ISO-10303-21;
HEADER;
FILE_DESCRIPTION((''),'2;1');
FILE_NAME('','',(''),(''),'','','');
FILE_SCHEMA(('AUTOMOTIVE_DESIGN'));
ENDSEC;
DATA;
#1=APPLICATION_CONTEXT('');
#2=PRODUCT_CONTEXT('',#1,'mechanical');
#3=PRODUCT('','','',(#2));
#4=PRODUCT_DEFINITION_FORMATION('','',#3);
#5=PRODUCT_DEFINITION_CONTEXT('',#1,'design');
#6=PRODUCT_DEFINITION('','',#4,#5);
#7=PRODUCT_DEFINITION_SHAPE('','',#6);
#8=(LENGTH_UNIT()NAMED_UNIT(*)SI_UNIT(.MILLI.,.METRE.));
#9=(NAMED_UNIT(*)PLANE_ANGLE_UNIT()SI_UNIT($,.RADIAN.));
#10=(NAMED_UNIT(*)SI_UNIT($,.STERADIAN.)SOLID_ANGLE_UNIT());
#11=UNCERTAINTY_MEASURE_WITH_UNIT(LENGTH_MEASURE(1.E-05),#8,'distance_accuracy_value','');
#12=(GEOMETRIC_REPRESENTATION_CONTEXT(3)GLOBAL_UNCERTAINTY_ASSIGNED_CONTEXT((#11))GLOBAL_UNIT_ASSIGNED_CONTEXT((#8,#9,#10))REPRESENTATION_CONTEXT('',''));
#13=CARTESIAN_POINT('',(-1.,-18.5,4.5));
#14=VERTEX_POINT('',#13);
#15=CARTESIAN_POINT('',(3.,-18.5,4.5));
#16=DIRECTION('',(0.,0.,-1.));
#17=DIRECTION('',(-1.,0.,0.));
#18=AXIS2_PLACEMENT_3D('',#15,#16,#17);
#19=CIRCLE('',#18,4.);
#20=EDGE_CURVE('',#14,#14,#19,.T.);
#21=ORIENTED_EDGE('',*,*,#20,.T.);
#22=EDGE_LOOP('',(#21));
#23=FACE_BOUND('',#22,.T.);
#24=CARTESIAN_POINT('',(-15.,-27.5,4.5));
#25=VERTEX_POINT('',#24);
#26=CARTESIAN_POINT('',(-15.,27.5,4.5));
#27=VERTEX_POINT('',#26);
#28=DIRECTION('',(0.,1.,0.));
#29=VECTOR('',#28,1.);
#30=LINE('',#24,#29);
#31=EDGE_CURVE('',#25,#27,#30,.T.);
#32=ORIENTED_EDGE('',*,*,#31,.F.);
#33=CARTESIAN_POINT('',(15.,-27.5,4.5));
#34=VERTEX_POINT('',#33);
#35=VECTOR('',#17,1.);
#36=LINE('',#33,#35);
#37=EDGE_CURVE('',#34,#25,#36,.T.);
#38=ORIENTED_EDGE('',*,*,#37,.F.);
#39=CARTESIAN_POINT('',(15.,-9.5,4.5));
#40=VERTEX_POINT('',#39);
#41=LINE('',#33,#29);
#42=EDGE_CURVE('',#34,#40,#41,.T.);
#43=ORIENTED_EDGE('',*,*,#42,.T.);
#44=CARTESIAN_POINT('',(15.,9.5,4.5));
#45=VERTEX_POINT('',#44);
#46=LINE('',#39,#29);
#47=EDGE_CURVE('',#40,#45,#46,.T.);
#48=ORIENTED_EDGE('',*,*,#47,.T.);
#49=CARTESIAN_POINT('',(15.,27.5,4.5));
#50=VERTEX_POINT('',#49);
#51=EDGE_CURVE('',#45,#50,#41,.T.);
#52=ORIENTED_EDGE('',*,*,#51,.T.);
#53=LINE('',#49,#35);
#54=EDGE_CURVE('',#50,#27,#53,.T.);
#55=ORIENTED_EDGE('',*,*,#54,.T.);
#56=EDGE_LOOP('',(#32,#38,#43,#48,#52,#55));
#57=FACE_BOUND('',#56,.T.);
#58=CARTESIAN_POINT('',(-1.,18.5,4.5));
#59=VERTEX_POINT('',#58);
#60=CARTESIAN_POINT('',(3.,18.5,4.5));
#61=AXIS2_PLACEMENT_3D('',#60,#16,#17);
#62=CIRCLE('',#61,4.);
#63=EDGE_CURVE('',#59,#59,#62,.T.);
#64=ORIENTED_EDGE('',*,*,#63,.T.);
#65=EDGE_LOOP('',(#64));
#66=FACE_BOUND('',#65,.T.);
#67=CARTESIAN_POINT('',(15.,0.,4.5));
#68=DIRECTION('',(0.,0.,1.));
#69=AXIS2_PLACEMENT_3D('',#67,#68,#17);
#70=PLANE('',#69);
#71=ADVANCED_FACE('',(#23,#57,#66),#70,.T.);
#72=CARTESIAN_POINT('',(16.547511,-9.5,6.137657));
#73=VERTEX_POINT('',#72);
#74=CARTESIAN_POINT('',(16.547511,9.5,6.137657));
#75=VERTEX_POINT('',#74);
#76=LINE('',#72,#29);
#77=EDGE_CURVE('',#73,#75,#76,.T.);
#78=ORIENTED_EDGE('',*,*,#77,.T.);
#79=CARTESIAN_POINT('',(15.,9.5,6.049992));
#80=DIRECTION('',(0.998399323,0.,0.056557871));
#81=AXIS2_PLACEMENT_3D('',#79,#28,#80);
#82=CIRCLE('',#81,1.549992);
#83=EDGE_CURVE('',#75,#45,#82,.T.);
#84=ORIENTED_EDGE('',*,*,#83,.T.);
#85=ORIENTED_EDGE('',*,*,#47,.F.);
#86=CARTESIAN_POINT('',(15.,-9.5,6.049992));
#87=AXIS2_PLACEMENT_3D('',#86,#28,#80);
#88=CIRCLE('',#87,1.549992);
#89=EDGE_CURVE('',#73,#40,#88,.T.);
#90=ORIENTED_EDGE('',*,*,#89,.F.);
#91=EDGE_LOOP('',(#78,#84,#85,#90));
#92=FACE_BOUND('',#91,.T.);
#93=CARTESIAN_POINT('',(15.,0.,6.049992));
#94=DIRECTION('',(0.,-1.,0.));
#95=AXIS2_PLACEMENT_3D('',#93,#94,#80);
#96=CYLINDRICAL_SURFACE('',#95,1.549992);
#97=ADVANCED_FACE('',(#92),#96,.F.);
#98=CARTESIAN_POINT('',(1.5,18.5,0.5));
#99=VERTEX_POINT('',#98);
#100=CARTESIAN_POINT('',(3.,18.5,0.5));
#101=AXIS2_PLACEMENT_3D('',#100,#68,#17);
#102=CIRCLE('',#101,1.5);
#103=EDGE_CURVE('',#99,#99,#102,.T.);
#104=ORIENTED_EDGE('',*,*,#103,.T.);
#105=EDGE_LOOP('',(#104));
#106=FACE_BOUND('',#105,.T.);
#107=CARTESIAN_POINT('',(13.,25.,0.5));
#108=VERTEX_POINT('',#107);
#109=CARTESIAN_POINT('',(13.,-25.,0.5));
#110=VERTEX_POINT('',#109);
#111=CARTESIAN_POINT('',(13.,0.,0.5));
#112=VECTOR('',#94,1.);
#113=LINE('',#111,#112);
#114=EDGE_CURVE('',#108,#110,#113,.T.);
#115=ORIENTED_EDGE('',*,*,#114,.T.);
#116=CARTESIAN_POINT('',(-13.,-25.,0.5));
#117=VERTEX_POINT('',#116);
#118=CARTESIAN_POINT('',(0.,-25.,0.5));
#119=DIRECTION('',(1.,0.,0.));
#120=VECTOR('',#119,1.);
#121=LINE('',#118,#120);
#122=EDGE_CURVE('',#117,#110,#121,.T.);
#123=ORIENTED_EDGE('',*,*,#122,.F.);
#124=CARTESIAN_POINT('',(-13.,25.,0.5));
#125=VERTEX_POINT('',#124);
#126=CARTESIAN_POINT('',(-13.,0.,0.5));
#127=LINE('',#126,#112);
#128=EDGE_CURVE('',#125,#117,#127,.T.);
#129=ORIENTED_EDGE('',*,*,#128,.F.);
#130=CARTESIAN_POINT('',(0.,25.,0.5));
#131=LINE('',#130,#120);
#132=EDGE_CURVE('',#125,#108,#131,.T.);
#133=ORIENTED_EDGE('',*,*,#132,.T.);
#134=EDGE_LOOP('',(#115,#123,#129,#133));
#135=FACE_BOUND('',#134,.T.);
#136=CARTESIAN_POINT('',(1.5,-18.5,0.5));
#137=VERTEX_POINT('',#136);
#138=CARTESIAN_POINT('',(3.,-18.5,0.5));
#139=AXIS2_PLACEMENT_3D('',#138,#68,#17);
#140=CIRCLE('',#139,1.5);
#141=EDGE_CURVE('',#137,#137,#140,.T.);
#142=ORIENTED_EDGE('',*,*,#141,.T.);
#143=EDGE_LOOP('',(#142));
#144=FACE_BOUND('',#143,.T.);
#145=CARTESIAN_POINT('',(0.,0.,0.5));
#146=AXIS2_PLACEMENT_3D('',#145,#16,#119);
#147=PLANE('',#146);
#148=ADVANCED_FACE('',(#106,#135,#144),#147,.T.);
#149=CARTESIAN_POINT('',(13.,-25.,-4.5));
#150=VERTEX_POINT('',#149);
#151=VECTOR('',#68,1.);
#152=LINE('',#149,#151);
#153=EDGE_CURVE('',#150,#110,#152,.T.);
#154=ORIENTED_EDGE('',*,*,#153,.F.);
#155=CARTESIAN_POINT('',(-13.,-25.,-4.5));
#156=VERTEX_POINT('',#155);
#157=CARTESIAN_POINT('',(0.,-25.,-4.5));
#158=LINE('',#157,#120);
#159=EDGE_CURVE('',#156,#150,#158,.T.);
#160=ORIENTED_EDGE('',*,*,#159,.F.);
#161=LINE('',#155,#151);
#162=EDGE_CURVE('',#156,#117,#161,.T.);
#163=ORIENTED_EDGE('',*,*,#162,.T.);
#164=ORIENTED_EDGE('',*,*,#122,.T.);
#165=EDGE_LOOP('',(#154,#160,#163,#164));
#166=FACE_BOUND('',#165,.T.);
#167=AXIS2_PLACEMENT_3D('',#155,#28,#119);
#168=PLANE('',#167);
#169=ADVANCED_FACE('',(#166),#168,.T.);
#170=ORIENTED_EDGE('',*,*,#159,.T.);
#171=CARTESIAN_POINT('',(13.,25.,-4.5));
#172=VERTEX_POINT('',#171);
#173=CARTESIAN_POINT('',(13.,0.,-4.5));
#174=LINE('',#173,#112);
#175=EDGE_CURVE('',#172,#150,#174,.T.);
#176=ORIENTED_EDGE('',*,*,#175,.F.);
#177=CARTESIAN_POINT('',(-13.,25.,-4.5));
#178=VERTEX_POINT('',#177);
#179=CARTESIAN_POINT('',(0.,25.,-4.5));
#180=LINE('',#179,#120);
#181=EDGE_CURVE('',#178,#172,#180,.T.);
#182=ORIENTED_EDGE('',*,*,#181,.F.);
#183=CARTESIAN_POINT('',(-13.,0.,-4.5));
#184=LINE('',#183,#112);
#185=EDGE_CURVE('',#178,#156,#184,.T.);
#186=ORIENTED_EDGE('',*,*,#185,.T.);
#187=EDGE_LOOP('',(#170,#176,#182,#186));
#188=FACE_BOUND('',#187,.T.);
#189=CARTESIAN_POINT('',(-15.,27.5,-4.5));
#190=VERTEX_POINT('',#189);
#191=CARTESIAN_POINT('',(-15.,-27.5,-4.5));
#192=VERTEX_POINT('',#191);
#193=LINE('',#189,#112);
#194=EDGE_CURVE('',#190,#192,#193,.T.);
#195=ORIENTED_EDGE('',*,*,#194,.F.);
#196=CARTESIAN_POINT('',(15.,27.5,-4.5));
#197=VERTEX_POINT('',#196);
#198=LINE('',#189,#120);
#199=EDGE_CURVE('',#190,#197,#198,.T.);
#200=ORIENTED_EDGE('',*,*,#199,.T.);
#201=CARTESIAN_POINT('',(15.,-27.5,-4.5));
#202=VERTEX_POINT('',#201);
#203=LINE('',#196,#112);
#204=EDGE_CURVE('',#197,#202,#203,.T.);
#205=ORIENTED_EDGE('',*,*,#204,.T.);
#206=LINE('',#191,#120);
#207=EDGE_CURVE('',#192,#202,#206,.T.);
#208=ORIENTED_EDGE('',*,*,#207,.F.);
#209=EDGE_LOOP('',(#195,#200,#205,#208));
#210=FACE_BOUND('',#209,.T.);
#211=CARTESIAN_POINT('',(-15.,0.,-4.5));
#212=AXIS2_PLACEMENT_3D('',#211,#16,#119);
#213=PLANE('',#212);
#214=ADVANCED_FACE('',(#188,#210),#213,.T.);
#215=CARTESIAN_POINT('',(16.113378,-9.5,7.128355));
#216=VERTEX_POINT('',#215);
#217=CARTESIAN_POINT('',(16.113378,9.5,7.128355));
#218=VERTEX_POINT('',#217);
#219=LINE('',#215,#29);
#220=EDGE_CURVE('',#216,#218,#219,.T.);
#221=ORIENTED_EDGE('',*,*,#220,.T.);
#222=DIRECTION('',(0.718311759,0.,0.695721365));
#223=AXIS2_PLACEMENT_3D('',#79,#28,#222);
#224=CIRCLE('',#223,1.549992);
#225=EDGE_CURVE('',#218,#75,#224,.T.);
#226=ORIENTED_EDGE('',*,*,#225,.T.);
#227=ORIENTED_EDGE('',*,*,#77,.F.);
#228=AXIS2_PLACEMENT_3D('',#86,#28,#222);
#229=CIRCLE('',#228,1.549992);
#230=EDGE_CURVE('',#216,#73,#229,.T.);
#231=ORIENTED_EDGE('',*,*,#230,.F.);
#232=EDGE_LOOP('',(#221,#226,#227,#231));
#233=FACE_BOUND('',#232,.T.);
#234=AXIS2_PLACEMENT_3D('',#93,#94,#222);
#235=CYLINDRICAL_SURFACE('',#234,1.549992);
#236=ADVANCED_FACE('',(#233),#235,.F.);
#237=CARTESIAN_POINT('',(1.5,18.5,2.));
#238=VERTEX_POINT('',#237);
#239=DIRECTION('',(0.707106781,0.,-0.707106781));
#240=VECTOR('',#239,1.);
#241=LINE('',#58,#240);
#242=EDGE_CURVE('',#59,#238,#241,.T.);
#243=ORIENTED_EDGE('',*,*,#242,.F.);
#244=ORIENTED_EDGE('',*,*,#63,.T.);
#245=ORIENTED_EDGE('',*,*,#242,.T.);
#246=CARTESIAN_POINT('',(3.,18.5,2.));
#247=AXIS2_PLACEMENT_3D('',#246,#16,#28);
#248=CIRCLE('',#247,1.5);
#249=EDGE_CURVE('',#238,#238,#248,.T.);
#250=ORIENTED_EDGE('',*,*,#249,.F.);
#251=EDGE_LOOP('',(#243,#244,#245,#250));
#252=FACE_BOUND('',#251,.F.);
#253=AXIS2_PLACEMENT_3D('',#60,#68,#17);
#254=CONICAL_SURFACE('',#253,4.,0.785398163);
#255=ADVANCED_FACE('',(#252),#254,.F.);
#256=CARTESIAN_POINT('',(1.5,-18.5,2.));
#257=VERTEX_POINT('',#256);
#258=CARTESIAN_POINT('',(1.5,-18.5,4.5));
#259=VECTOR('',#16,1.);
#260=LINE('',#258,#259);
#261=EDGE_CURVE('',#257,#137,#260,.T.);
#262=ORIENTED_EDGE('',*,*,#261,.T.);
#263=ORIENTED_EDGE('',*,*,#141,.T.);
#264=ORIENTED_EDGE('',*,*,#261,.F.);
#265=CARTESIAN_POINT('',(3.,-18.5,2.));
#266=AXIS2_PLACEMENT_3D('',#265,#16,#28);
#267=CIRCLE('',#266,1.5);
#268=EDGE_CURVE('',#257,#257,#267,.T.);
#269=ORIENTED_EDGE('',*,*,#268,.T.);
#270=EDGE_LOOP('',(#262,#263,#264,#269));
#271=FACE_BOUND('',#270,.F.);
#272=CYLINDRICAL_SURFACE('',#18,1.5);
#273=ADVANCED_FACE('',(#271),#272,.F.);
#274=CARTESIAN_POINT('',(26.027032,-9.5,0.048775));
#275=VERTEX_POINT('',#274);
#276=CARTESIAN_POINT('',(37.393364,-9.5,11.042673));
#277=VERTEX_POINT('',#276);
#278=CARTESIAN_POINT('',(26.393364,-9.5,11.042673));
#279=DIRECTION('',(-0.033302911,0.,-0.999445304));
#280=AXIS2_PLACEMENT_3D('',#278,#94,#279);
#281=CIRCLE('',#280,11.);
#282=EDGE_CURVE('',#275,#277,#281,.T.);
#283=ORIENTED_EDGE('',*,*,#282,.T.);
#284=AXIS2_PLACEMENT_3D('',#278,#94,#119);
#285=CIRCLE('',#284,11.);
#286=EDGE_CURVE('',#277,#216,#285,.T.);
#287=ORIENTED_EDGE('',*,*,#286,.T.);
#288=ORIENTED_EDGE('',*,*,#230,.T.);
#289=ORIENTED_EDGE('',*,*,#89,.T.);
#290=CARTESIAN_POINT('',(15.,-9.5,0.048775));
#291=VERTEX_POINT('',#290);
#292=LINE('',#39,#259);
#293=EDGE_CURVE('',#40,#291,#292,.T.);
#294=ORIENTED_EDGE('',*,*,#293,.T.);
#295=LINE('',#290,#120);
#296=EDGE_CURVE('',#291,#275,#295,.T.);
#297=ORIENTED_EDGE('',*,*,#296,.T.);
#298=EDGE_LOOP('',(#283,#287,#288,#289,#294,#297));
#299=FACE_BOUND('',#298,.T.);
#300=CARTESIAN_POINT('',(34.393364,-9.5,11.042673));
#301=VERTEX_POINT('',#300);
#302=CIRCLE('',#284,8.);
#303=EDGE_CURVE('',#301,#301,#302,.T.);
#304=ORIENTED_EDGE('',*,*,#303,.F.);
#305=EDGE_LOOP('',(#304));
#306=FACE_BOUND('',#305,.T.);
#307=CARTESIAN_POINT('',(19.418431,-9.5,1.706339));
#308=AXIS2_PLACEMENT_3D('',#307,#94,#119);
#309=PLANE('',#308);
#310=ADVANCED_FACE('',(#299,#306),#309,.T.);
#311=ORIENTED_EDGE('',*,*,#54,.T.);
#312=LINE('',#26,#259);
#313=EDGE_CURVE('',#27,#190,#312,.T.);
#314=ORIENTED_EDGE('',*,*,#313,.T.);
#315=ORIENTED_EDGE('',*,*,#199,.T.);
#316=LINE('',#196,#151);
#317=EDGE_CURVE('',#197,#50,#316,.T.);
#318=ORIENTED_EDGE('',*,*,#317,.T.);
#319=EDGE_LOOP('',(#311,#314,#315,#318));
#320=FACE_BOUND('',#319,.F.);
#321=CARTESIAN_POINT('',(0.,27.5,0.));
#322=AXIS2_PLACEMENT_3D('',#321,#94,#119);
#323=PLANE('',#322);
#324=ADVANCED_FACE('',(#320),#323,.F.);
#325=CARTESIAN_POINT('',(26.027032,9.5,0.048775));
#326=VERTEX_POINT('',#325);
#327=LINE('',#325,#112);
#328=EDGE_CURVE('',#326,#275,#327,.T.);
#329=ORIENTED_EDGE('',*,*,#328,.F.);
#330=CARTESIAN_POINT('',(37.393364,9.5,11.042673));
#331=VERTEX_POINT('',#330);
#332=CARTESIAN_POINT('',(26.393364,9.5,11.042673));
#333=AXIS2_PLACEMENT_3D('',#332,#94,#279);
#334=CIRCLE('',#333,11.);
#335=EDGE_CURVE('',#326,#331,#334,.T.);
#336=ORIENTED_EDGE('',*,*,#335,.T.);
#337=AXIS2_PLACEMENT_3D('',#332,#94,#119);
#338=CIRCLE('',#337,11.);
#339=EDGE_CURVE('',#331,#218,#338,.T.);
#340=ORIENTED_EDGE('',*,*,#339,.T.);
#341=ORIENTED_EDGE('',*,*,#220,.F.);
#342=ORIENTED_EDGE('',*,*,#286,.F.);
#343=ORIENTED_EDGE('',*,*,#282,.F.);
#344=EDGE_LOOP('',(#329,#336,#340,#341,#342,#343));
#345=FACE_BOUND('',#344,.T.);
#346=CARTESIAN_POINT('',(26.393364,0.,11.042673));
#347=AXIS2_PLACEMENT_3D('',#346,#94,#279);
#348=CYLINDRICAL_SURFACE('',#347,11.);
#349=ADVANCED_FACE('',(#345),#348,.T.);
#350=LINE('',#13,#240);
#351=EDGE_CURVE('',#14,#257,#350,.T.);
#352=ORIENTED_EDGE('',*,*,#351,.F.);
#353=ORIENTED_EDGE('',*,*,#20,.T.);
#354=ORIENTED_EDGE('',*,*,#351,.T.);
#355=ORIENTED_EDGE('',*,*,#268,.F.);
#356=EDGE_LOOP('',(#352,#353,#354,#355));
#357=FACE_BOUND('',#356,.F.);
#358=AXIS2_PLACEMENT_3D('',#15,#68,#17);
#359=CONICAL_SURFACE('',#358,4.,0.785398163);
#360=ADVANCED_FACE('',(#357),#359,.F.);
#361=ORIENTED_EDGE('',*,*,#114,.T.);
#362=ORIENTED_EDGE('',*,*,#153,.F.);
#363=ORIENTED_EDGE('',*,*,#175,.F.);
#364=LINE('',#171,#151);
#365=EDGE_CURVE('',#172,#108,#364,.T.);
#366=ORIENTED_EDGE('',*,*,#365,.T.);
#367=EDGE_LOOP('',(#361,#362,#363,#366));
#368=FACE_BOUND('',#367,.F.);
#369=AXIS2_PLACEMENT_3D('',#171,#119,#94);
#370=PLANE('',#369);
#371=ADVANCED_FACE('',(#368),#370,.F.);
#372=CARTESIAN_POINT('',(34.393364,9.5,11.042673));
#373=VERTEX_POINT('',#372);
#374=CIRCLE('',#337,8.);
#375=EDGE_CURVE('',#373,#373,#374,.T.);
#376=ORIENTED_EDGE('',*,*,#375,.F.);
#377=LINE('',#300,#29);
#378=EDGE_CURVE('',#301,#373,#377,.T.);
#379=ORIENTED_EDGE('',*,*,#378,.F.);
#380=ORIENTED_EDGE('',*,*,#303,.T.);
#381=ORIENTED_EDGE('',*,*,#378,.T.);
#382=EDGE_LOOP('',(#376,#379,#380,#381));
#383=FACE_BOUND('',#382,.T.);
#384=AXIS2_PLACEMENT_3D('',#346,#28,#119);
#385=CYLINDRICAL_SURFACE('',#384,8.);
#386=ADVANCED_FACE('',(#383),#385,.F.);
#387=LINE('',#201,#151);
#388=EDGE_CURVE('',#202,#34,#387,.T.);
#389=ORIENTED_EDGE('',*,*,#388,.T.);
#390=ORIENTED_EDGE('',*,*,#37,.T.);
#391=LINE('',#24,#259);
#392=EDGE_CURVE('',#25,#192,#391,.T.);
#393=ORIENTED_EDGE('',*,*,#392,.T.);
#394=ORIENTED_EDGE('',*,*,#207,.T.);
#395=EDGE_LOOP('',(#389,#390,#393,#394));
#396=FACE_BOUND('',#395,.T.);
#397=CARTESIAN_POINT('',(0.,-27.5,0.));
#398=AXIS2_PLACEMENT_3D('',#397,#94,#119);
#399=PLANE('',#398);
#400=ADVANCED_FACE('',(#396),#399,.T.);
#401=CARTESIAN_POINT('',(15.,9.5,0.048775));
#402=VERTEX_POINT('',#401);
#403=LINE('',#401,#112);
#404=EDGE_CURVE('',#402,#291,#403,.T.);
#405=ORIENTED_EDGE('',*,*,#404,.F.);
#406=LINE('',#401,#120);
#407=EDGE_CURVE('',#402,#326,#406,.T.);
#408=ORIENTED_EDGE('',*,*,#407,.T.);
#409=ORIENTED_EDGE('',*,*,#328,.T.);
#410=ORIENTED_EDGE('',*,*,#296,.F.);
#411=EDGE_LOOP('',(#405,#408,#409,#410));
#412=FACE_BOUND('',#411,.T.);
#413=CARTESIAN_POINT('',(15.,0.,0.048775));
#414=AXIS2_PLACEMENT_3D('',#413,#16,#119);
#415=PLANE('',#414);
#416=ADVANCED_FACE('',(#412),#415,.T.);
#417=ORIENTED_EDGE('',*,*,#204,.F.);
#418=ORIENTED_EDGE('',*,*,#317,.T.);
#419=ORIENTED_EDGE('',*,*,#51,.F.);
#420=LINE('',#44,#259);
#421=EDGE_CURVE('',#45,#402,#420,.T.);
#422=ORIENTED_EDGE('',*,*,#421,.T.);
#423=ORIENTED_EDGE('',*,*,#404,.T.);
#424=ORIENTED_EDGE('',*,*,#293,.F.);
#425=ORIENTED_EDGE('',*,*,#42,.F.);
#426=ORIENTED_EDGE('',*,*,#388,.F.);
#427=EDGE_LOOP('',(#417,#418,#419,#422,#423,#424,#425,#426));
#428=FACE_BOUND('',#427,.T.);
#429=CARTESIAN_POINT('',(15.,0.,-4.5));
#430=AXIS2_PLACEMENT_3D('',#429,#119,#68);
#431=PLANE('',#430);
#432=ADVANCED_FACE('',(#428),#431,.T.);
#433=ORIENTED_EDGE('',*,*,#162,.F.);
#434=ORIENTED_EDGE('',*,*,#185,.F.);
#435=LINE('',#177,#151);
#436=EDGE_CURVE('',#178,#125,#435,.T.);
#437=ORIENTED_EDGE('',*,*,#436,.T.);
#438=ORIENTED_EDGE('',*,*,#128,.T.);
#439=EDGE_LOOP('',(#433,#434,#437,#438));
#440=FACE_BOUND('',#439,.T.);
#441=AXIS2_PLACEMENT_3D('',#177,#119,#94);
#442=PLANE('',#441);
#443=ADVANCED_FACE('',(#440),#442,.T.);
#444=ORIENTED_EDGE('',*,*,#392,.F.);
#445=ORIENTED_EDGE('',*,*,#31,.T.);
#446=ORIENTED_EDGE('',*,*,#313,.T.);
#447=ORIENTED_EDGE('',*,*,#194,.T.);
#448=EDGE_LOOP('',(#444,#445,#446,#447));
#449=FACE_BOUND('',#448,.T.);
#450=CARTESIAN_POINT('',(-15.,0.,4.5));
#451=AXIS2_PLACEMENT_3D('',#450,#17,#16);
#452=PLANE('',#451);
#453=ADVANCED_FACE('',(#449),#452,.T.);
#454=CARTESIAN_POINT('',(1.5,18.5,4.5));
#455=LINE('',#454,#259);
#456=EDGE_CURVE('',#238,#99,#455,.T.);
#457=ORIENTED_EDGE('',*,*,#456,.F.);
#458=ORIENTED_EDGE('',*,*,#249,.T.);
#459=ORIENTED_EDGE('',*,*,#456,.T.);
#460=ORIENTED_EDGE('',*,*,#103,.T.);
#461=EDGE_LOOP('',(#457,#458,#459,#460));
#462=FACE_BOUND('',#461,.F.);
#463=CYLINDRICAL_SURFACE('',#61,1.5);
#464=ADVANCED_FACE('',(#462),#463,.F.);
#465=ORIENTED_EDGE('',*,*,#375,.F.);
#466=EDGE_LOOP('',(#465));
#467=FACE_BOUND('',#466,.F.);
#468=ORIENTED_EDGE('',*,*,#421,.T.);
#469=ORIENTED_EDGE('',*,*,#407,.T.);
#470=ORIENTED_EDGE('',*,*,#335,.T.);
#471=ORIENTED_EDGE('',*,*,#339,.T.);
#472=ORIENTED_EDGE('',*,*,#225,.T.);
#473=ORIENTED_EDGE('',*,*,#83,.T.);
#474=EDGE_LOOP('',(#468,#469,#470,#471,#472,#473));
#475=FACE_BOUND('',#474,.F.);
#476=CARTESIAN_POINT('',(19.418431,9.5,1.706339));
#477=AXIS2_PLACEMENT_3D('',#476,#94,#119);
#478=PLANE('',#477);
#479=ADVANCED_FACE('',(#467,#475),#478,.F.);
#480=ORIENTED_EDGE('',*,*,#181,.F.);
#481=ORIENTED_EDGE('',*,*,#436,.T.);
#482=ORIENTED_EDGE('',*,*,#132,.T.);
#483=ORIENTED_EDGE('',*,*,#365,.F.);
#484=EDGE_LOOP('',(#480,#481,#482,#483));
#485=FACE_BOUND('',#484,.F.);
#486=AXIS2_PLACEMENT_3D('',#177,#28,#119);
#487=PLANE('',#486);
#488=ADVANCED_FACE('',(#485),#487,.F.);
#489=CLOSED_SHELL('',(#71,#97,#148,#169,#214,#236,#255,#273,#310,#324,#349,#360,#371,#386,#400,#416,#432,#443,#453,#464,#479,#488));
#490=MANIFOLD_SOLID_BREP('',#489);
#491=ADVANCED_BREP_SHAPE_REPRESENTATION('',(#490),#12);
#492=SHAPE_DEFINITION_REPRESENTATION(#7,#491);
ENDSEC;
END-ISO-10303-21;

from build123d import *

# Parameters (mm, degrees)
F1_DEPTH       = 27.5
F0_R           = 8
F2_DEPTH       = 9.5
F5_D           = 3
F5_CSINK_D     = 8
F5_CSINK_ANGLE = 90
F6_W           = 26
F6_H           = 50
F6_R           = 1.5
F7_DEPTH       = 5


with BuildPart() as f1:
    # F0 (on Front) → F1 (new body, symmetric)
    with BuildSketch(Plane.XZ):
        Polygon((-15, 4.5), (-15, -4.5), (15, -4.5), (15, 0.0487750938), (15, 4.5), align=None)
    extrude(amount=F1_DEPTH, both=True)

    # F0 (on Front) → F2 (join, symmetric)
    with BuildSketch(Plane.XZ):
        with BuildLine():
            Line((15, 4.5), (15, 0.0487750938))
            Line((15, 0.0487750938), (26.0270317086, 0.0487750938))
            ThreePointArc((26.0270317086, 0.0487750938), (20.4485510909, 1.7874477446), (16.5475113082, 6.1376566135))
            ThreePointArc((16.5475113082, 6.1376566135), (16.1265778305, 4.9854273341), (15, 4.5))
        make_face()
        with BuildLine():
            ThreePointArc((16.5475113082, 6.1376566135), (20.4485510909, 1.7874477446), (26.0270317086, 0.0487750938))
            ThreePointArc((26.0270317086, 0.0487750938), (34.040923726, 3.1360416589), (37.393363731, 11.0426734401))
            ThreePointArc((37.393363731, 11.0426734401), (24.4033695136, 21.8611725511), (16.1133777283, 7.1283551362))
            ThreePointArc((16.1133777283, 7.1283551362), (16.4196666887, 6.6721038843), (16.5475113082, 6.1376566135))
        make_face()
        with Locations((26.393363731, 11.0426734401)):
            Circle(F0_R, mode=Mode.SUBTRACT)
    extrude(amount=F2_DEPTH, both=True)

    # F5 (through all)
    with Locations(Plane.XY.offset(4.5)):
        with Locations((3, 18.5), (3, -18.5)):
            CounterSinkHole(F5_D / 2, F5_CSINK_D / 2, counter_sink_angle=F5_CSINK_ANGLE)

    # F6 (on face) → F7 (cut)
    with BuildSketch(Plane(origin=(0, 0, -4.5), x_dir=(1, 0, 0), z_dir=(0, 0, -1))):
        Rectangle(F6_W, F6_H)
        with Locations((3, -18.5)):
            Circle(F6_R, mode=Mode.SUBTRACT)
        with Locations((3, 18.5)):
            Circle(F6_R, mode=Mode.SUBTRACT)
    extrude(amount=-F7_DEPTH, mode=Mode.SUBTRACT)


solid = f1.part
